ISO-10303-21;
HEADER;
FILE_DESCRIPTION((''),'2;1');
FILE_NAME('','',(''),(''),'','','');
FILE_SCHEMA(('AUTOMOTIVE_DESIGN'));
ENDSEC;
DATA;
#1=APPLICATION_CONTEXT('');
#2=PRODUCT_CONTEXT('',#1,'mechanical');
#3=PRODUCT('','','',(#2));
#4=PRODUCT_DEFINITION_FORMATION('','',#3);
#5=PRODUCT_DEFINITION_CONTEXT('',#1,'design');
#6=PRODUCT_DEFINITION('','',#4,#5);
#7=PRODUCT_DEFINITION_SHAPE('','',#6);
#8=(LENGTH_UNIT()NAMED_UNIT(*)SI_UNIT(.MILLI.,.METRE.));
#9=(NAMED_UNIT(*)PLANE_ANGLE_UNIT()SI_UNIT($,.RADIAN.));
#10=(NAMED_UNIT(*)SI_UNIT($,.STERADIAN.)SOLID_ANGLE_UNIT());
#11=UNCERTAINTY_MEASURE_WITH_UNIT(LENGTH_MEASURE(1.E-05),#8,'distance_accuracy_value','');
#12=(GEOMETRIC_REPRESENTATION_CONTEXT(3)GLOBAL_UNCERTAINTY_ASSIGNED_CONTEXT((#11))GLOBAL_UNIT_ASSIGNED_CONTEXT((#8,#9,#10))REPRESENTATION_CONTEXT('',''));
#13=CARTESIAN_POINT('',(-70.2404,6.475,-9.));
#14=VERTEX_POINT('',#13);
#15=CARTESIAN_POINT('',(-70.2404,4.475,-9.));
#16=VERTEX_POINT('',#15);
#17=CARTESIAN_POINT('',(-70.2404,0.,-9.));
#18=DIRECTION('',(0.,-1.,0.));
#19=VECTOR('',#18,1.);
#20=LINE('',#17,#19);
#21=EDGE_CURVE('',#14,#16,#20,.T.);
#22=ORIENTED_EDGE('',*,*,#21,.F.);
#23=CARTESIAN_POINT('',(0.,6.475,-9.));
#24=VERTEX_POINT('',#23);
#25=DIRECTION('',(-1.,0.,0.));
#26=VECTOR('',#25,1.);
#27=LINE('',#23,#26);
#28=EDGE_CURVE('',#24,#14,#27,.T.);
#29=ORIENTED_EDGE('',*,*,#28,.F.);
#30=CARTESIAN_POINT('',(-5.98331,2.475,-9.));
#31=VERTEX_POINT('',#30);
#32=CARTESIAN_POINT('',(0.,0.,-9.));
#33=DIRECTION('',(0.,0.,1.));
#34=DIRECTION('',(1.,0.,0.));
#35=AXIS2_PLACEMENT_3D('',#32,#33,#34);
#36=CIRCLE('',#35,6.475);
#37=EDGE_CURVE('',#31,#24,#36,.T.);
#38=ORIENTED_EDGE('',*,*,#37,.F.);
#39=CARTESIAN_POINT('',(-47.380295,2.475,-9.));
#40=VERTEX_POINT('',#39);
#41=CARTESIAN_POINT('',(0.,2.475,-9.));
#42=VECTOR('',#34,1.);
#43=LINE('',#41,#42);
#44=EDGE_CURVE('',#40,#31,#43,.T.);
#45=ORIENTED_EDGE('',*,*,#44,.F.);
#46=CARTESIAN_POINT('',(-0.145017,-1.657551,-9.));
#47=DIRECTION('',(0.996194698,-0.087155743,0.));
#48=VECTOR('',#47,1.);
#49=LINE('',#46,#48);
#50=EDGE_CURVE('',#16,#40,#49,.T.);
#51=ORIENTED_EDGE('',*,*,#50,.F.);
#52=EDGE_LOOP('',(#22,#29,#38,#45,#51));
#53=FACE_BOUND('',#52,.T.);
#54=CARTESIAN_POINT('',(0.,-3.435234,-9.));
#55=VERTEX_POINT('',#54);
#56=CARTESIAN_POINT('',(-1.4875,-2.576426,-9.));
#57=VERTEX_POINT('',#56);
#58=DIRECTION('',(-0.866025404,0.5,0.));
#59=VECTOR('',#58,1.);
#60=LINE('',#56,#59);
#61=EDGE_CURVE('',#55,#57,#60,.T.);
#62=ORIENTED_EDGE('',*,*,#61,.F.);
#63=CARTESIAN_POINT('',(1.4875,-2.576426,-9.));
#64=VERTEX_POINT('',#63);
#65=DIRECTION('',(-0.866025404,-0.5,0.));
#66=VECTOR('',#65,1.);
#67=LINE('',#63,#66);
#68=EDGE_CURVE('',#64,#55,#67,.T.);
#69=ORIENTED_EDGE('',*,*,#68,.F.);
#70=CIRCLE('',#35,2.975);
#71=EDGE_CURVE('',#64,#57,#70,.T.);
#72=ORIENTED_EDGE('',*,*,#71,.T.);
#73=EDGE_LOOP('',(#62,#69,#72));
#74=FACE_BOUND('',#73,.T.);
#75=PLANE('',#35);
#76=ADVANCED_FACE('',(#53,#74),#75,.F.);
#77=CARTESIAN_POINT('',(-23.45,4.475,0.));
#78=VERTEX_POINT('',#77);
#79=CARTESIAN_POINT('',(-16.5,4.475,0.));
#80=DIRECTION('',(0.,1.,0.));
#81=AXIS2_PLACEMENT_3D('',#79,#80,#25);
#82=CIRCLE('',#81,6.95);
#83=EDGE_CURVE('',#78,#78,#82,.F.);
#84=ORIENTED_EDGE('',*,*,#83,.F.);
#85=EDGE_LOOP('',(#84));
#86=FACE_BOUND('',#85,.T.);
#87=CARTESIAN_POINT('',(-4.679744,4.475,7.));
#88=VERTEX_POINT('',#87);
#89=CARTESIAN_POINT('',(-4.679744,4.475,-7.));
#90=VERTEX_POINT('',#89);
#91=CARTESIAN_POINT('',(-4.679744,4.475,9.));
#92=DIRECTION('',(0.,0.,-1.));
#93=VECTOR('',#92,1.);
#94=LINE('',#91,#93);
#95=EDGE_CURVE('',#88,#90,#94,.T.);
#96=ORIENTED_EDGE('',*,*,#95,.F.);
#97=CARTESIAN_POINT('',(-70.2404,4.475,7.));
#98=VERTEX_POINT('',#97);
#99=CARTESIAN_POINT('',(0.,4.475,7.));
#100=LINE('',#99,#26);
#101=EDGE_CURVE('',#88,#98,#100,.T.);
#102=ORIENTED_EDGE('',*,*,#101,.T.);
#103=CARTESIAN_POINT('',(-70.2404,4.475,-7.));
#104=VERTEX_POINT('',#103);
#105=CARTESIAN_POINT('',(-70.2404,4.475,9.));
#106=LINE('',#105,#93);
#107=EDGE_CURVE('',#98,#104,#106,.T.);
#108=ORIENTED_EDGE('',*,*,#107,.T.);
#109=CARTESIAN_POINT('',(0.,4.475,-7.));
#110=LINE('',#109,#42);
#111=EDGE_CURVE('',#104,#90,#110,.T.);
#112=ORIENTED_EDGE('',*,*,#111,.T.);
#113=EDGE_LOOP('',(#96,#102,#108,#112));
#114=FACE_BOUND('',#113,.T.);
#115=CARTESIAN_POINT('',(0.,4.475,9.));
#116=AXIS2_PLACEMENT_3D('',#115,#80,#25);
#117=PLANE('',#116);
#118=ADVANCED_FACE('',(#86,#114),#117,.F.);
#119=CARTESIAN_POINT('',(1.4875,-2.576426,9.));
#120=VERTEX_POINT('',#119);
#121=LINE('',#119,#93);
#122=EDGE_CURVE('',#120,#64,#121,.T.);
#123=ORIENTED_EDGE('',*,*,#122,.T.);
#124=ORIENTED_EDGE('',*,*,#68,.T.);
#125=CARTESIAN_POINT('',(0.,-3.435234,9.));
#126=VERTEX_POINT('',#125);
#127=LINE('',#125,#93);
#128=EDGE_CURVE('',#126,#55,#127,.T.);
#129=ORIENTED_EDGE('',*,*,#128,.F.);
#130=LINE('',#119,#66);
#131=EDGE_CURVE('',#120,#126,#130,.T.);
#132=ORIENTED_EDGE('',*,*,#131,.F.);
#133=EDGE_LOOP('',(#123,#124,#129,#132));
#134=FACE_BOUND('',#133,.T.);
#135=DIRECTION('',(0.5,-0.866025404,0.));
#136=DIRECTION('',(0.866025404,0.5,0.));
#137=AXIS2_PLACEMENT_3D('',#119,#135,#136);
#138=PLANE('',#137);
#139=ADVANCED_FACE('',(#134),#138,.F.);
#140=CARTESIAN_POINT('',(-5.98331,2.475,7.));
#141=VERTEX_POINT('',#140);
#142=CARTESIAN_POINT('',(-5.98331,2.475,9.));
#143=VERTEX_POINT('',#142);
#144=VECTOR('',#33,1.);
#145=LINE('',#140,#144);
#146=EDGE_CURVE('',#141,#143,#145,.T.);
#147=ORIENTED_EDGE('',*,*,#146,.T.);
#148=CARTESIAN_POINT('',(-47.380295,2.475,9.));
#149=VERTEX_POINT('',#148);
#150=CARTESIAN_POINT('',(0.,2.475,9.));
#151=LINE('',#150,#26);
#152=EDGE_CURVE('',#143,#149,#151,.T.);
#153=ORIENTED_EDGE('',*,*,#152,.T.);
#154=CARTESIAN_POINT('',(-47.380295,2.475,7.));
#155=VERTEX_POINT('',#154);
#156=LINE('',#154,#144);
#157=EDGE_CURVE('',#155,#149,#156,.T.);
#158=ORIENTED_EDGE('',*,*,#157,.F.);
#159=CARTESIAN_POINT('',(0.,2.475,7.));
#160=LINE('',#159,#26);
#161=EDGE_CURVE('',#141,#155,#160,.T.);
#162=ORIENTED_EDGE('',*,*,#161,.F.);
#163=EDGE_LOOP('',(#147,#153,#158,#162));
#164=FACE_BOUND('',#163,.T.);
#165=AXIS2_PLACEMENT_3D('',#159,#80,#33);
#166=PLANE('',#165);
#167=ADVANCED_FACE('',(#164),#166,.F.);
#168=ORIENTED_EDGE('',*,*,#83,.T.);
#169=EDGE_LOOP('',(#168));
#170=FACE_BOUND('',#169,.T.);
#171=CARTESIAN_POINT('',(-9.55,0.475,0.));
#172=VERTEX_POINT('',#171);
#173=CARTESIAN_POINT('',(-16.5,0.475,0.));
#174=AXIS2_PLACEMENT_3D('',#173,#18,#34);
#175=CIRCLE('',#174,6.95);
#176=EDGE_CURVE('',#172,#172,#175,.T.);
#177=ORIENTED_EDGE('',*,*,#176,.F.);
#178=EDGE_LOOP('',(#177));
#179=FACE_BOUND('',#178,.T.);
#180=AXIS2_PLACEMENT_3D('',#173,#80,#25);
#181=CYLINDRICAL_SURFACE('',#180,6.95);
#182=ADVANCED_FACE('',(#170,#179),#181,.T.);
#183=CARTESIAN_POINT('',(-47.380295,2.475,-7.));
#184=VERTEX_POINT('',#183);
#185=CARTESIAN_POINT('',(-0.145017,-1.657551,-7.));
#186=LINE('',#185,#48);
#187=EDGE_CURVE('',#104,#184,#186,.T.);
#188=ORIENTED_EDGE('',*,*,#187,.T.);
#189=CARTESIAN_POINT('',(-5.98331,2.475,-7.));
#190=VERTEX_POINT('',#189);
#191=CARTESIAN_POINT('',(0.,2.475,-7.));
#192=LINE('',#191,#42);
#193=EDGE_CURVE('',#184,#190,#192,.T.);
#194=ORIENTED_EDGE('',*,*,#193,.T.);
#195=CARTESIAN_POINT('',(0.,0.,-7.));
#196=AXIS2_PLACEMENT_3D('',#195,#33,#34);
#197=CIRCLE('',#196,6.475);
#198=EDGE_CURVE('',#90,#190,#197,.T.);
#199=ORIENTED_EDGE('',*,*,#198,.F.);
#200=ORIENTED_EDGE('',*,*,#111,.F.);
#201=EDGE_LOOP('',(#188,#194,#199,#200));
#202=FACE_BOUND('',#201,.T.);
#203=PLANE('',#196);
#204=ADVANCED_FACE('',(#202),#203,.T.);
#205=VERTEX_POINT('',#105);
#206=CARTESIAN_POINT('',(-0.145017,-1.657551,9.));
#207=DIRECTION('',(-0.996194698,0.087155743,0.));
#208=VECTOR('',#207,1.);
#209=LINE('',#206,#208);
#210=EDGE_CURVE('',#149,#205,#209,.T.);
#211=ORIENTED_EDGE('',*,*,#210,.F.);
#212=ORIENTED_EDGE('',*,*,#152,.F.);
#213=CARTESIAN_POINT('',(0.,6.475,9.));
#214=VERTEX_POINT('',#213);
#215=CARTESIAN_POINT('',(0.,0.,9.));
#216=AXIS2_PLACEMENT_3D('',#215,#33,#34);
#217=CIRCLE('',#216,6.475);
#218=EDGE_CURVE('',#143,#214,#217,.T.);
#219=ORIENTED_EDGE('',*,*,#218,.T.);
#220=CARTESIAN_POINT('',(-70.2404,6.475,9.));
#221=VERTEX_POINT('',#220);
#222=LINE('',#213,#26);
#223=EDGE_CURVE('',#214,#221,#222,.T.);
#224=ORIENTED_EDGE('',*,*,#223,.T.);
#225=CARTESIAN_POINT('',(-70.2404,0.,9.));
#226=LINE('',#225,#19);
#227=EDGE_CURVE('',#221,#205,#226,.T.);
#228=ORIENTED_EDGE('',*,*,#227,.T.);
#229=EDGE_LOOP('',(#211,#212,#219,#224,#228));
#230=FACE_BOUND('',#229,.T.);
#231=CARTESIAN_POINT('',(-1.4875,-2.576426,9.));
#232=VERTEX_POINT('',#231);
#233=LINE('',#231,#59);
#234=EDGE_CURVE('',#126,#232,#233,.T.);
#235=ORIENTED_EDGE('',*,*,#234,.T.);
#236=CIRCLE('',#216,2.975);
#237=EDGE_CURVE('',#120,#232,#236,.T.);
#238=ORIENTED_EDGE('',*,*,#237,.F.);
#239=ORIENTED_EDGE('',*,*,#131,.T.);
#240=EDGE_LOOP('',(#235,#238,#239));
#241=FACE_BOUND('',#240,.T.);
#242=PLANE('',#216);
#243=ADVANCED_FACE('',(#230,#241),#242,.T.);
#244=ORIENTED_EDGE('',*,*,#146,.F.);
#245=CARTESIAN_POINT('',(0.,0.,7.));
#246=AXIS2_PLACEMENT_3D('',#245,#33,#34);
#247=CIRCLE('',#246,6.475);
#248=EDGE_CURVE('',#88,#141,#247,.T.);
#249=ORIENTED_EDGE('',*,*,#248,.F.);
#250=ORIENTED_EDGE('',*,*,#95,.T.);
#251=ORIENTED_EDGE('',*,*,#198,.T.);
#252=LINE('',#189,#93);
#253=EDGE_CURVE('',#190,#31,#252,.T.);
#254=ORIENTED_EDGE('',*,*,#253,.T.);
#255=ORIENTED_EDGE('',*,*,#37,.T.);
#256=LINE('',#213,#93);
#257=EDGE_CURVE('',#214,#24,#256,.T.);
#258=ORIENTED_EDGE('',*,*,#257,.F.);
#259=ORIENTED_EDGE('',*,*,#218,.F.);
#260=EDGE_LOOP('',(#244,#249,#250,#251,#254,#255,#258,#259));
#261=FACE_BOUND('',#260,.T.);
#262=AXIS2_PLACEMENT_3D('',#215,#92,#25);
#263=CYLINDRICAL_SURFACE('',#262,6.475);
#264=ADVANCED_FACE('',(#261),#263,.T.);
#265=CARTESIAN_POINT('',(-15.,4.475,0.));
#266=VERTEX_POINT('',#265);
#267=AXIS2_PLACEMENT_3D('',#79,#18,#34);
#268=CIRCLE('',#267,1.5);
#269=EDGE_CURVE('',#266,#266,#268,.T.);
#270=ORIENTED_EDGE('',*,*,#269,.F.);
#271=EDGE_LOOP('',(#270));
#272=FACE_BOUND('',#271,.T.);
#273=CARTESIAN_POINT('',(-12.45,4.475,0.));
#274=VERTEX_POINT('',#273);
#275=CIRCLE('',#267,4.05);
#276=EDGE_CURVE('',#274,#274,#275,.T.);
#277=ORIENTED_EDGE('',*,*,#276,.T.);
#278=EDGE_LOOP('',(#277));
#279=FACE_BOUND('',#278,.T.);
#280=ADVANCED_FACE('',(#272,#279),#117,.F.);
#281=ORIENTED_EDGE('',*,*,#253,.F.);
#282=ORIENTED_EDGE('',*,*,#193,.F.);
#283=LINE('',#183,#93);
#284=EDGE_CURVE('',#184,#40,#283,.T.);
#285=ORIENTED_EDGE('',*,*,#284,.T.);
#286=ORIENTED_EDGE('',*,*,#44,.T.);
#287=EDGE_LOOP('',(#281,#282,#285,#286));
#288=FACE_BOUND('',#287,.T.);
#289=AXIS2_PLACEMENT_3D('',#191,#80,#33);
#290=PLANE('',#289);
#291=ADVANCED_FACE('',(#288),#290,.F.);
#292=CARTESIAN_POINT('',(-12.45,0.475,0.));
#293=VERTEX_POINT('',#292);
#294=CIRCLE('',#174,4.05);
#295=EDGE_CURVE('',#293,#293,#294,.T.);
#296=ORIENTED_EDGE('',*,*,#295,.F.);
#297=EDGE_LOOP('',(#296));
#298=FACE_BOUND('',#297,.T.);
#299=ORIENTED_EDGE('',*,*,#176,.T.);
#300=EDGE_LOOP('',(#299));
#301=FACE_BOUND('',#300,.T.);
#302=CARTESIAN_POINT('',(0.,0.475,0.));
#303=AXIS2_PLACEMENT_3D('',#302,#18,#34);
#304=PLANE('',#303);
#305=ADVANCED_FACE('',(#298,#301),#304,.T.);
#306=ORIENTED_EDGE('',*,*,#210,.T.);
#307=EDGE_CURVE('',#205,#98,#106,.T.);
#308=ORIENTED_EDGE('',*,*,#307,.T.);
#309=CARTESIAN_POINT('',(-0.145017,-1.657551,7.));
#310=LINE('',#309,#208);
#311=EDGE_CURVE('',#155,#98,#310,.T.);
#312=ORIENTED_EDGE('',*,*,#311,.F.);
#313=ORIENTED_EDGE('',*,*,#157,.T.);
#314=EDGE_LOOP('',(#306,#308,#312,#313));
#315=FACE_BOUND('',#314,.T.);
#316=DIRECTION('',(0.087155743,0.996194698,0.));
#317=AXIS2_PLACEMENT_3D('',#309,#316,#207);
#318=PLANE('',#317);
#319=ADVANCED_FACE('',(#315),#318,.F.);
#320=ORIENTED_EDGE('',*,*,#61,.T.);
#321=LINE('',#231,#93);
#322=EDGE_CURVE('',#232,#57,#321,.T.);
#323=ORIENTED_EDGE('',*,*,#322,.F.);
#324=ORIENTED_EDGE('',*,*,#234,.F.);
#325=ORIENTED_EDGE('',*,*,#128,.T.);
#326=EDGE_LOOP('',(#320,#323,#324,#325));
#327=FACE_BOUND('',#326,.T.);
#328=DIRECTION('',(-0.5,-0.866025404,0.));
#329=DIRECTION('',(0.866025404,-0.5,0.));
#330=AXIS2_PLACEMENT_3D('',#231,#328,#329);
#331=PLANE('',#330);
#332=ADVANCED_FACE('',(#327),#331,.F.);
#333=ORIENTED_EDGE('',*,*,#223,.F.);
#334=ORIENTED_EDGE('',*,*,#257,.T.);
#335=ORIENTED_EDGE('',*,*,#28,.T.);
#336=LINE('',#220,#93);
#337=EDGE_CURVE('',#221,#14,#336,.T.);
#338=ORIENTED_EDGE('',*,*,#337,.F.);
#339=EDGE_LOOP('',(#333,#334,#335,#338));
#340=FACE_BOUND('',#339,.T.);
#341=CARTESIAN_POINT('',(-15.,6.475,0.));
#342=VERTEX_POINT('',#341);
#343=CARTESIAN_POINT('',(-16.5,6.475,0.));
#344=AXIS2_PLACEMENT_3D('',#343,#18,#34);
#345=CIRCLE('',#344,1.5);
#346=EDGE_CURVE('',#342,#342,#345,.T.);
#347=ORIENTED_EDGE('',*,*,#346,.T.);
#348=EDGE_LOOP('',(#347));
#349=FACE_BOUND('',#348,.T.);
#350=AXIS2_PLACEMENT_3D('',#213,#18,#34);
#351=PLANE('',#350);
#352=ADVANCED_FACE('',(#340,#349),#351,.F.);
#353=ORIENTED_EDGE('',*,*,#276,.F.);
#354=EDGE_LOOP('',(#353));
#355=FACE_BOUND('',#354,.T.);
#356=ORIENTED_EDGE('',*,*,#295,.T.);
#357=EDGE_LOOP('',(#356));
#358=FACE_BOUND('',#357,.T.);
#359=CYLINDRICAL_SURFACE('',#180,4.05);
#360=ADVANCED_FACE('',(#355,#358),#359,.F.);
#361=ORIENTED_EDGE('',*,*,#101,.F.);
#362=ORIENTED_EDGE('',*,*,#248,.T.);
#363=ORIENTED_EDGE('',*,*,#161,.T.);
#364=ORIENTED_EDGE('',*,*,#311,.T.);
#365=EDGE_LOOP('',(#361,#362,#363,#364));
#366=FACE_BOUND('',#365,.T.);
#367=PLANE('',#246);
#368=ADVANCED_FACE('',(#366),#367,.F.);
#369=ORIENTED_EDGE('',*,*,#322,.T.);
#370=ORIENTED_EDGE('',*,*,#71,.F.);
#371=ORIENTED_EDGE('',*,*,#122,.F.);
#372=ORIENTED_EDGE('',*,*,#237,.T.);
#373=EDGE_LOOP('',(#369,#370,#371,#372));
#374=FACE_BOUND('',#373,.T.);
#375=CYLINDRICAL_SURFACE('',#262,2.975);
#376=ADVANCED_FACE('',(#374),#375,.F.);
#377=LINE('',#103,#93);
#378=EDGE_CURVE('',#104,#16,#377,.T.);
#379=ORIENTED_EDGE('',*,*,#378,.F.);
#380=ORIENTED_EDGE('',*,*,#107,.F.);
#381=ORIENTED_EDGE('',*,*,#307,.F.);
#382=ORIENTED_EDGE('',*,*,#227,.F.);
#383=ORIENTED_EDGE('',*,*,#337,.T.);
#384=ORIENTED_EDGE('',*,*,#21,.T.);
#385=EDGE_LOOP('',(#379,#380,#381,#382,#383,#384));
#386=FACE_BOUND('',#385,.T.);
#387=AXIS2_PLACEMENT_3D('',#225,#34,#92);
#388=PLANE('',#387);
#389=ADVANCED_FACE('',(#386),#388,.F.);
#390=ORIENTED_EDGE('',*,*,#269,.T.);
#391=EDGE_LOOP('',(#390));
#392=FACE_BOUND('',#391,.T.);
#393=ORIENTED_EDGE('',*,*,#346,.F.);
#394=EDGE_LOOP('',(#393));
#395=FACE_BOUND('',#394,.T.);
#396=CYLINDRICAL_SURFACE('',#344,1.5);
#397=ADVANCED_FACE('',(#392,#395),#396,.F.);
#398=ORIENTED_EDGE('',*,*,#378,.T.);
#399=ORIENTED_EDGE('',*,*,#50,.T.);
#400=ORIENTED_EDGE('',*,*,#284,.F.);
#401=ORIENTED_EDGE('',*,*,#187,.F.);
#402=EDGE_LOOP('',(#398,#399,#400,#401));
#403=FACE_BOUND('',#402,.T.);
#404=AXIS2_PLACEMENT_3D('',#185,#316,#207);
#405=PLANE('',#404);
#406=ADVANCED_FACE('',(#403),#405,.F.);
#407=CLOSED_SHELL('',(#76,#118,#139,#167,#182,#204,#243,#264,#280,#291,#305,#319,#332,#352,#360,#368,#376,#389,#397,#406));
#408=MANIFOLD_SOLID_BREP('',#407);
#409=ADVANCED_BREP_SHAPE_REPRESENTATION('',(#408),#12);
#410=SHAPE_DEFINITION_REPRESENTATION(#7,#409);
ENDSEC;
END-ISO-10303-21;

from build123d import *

# Parameters (mm, degrees)
MAIN_DEPTH          = 9
RIB_START           = -7
RIB_DEPTH           = 2
BOSS_EXTRUDE1_START = 9
BOSS_EXTRUDE1_DEPTH = 2
SKETCH2_R           = 1.5
CUT_EXTRUDE1_DEPTH  = 72.656236938
BOSS_EXTRUDE2_START = 4
SKETCH2_4_R         = 6.95
SKETCH2_4_R_2       = 4.05
SKETCH2_4_R_3       = 1.5
BOSS_EXTRUDE2_DEPTH = 4


with BuildPart() as part:
    # Sketch1 → main (new, symmetric)
    with BuildSketch(Plane.XY):
        with BuildLine():
            Line((0, 6.475), (-70.2404, 6.475))
            Line((-70.2404, 6.475), (-70.2404, 4.475))
            Line((-70.2404, 4.475), (-4.679743583, 4.475))
            ThreePointArc((-4.679743583, 4.475), (2.54460213, -5.954042744), (0, 6.475))
        make_face()
        with BuildLine():
            Line((1.4875, -2.576425576), (0, -3.435234102))
            Line((0, -3.435234102), (-1.4875, -2.576425576))
            ThreePointArc((-1.4875, -2.576425576), (0, 2.975), (1.4875, -2.576425576))
        make_face(mode=Mode.SUBTRACT)
    extrude(amount=MAIN_DEPTH, both=True)

    # Sketch1<4> → rib (add)
    with BuildSketch(Plane.XY.offset(RIB_START)):
        with BuildLine():
            Line((-47.380295394, 2.475), (-5.983310121, 2.475))
            ThreePointArc((-5.983310121, 2.475), (-5.424498002, 3.53559704), (-4.679743583, 4.475))
            Line((-4.679743583, 4.475), (-70.2404, 4.475))
            Line((-70.2404, 4.475), (-47.380295394, 2.475))
        make_face()
    extrude(amount=-RIB_DEPTH)

    # Sketch1<5> → Boss-Extrude1 (add)
    with BuildSketch(Plane.XY.offset(BOSS_EXTRUDE1_START)):
        with BuildLine():
            Line((-47.380295394, 2.475), (-5.983310121, 2.475))
            ThreePointArc((-5.983310121, 2.475), (-5.424498002, 3.53559704), (-4.679743583, 4.475))
            Line((-4.679743583, 4.475), (-70.2404, 4.475))
            Line((-70.2404, 4.475), (-47.380295394, 2.475))
        make_face()
    extrude(amount=-BOSS_EXTRUDE1_DEPTH)

    # Sketch2 → Cut-Extrude1 (cut, through all)
    with BuildSketch(Plane.XZ.offset(-4.475)):
        with Locations((-16.5, 0)):
            Circle(SKETCH2_R)
    extrude(amount=-CUT_EXTRUDE1_DEPTH, mode=Mode.SUBTRACT)

    # Sketch2<4> → Boss-Extrude2 (add)
    # profile 1 of 2: a face of its own
    with BuildSketch(Plane.XZ.offset(-4.475).offset(BOSS_EXTRUDE2_START)):
        with Locations(Location((-16.5, 0, 0), (0, 0, 180))):
            Circle(SKETCH2_4_R)
        with Locations((-16.5, 0)):
            Circle(SKETCH2_4_R_2, mode=Mode.SUBTRACT)
    # profile 2 of 2: a face of its own
    with BuildSketch(Plane.XZ.offset(-4.475).offset(BOSS_EXTRUDE2_START)):
        with Locations((-16.5, 0)):
            Circle(SKETCH2_4_R_3)
    extrude(amount=-BOSS_EXTRUDE2_DEPTH)


with BuildPart() as boss_extrude2_kept_piece:
    # of the separate pieces the step leaves, the one the design keeps (boss_extrude2_pieces_kept)
    add(part.part.solids().sort_by_distance((0, 6.475, -9))[0])


solid = boss_extrude2_kept_piece.part
